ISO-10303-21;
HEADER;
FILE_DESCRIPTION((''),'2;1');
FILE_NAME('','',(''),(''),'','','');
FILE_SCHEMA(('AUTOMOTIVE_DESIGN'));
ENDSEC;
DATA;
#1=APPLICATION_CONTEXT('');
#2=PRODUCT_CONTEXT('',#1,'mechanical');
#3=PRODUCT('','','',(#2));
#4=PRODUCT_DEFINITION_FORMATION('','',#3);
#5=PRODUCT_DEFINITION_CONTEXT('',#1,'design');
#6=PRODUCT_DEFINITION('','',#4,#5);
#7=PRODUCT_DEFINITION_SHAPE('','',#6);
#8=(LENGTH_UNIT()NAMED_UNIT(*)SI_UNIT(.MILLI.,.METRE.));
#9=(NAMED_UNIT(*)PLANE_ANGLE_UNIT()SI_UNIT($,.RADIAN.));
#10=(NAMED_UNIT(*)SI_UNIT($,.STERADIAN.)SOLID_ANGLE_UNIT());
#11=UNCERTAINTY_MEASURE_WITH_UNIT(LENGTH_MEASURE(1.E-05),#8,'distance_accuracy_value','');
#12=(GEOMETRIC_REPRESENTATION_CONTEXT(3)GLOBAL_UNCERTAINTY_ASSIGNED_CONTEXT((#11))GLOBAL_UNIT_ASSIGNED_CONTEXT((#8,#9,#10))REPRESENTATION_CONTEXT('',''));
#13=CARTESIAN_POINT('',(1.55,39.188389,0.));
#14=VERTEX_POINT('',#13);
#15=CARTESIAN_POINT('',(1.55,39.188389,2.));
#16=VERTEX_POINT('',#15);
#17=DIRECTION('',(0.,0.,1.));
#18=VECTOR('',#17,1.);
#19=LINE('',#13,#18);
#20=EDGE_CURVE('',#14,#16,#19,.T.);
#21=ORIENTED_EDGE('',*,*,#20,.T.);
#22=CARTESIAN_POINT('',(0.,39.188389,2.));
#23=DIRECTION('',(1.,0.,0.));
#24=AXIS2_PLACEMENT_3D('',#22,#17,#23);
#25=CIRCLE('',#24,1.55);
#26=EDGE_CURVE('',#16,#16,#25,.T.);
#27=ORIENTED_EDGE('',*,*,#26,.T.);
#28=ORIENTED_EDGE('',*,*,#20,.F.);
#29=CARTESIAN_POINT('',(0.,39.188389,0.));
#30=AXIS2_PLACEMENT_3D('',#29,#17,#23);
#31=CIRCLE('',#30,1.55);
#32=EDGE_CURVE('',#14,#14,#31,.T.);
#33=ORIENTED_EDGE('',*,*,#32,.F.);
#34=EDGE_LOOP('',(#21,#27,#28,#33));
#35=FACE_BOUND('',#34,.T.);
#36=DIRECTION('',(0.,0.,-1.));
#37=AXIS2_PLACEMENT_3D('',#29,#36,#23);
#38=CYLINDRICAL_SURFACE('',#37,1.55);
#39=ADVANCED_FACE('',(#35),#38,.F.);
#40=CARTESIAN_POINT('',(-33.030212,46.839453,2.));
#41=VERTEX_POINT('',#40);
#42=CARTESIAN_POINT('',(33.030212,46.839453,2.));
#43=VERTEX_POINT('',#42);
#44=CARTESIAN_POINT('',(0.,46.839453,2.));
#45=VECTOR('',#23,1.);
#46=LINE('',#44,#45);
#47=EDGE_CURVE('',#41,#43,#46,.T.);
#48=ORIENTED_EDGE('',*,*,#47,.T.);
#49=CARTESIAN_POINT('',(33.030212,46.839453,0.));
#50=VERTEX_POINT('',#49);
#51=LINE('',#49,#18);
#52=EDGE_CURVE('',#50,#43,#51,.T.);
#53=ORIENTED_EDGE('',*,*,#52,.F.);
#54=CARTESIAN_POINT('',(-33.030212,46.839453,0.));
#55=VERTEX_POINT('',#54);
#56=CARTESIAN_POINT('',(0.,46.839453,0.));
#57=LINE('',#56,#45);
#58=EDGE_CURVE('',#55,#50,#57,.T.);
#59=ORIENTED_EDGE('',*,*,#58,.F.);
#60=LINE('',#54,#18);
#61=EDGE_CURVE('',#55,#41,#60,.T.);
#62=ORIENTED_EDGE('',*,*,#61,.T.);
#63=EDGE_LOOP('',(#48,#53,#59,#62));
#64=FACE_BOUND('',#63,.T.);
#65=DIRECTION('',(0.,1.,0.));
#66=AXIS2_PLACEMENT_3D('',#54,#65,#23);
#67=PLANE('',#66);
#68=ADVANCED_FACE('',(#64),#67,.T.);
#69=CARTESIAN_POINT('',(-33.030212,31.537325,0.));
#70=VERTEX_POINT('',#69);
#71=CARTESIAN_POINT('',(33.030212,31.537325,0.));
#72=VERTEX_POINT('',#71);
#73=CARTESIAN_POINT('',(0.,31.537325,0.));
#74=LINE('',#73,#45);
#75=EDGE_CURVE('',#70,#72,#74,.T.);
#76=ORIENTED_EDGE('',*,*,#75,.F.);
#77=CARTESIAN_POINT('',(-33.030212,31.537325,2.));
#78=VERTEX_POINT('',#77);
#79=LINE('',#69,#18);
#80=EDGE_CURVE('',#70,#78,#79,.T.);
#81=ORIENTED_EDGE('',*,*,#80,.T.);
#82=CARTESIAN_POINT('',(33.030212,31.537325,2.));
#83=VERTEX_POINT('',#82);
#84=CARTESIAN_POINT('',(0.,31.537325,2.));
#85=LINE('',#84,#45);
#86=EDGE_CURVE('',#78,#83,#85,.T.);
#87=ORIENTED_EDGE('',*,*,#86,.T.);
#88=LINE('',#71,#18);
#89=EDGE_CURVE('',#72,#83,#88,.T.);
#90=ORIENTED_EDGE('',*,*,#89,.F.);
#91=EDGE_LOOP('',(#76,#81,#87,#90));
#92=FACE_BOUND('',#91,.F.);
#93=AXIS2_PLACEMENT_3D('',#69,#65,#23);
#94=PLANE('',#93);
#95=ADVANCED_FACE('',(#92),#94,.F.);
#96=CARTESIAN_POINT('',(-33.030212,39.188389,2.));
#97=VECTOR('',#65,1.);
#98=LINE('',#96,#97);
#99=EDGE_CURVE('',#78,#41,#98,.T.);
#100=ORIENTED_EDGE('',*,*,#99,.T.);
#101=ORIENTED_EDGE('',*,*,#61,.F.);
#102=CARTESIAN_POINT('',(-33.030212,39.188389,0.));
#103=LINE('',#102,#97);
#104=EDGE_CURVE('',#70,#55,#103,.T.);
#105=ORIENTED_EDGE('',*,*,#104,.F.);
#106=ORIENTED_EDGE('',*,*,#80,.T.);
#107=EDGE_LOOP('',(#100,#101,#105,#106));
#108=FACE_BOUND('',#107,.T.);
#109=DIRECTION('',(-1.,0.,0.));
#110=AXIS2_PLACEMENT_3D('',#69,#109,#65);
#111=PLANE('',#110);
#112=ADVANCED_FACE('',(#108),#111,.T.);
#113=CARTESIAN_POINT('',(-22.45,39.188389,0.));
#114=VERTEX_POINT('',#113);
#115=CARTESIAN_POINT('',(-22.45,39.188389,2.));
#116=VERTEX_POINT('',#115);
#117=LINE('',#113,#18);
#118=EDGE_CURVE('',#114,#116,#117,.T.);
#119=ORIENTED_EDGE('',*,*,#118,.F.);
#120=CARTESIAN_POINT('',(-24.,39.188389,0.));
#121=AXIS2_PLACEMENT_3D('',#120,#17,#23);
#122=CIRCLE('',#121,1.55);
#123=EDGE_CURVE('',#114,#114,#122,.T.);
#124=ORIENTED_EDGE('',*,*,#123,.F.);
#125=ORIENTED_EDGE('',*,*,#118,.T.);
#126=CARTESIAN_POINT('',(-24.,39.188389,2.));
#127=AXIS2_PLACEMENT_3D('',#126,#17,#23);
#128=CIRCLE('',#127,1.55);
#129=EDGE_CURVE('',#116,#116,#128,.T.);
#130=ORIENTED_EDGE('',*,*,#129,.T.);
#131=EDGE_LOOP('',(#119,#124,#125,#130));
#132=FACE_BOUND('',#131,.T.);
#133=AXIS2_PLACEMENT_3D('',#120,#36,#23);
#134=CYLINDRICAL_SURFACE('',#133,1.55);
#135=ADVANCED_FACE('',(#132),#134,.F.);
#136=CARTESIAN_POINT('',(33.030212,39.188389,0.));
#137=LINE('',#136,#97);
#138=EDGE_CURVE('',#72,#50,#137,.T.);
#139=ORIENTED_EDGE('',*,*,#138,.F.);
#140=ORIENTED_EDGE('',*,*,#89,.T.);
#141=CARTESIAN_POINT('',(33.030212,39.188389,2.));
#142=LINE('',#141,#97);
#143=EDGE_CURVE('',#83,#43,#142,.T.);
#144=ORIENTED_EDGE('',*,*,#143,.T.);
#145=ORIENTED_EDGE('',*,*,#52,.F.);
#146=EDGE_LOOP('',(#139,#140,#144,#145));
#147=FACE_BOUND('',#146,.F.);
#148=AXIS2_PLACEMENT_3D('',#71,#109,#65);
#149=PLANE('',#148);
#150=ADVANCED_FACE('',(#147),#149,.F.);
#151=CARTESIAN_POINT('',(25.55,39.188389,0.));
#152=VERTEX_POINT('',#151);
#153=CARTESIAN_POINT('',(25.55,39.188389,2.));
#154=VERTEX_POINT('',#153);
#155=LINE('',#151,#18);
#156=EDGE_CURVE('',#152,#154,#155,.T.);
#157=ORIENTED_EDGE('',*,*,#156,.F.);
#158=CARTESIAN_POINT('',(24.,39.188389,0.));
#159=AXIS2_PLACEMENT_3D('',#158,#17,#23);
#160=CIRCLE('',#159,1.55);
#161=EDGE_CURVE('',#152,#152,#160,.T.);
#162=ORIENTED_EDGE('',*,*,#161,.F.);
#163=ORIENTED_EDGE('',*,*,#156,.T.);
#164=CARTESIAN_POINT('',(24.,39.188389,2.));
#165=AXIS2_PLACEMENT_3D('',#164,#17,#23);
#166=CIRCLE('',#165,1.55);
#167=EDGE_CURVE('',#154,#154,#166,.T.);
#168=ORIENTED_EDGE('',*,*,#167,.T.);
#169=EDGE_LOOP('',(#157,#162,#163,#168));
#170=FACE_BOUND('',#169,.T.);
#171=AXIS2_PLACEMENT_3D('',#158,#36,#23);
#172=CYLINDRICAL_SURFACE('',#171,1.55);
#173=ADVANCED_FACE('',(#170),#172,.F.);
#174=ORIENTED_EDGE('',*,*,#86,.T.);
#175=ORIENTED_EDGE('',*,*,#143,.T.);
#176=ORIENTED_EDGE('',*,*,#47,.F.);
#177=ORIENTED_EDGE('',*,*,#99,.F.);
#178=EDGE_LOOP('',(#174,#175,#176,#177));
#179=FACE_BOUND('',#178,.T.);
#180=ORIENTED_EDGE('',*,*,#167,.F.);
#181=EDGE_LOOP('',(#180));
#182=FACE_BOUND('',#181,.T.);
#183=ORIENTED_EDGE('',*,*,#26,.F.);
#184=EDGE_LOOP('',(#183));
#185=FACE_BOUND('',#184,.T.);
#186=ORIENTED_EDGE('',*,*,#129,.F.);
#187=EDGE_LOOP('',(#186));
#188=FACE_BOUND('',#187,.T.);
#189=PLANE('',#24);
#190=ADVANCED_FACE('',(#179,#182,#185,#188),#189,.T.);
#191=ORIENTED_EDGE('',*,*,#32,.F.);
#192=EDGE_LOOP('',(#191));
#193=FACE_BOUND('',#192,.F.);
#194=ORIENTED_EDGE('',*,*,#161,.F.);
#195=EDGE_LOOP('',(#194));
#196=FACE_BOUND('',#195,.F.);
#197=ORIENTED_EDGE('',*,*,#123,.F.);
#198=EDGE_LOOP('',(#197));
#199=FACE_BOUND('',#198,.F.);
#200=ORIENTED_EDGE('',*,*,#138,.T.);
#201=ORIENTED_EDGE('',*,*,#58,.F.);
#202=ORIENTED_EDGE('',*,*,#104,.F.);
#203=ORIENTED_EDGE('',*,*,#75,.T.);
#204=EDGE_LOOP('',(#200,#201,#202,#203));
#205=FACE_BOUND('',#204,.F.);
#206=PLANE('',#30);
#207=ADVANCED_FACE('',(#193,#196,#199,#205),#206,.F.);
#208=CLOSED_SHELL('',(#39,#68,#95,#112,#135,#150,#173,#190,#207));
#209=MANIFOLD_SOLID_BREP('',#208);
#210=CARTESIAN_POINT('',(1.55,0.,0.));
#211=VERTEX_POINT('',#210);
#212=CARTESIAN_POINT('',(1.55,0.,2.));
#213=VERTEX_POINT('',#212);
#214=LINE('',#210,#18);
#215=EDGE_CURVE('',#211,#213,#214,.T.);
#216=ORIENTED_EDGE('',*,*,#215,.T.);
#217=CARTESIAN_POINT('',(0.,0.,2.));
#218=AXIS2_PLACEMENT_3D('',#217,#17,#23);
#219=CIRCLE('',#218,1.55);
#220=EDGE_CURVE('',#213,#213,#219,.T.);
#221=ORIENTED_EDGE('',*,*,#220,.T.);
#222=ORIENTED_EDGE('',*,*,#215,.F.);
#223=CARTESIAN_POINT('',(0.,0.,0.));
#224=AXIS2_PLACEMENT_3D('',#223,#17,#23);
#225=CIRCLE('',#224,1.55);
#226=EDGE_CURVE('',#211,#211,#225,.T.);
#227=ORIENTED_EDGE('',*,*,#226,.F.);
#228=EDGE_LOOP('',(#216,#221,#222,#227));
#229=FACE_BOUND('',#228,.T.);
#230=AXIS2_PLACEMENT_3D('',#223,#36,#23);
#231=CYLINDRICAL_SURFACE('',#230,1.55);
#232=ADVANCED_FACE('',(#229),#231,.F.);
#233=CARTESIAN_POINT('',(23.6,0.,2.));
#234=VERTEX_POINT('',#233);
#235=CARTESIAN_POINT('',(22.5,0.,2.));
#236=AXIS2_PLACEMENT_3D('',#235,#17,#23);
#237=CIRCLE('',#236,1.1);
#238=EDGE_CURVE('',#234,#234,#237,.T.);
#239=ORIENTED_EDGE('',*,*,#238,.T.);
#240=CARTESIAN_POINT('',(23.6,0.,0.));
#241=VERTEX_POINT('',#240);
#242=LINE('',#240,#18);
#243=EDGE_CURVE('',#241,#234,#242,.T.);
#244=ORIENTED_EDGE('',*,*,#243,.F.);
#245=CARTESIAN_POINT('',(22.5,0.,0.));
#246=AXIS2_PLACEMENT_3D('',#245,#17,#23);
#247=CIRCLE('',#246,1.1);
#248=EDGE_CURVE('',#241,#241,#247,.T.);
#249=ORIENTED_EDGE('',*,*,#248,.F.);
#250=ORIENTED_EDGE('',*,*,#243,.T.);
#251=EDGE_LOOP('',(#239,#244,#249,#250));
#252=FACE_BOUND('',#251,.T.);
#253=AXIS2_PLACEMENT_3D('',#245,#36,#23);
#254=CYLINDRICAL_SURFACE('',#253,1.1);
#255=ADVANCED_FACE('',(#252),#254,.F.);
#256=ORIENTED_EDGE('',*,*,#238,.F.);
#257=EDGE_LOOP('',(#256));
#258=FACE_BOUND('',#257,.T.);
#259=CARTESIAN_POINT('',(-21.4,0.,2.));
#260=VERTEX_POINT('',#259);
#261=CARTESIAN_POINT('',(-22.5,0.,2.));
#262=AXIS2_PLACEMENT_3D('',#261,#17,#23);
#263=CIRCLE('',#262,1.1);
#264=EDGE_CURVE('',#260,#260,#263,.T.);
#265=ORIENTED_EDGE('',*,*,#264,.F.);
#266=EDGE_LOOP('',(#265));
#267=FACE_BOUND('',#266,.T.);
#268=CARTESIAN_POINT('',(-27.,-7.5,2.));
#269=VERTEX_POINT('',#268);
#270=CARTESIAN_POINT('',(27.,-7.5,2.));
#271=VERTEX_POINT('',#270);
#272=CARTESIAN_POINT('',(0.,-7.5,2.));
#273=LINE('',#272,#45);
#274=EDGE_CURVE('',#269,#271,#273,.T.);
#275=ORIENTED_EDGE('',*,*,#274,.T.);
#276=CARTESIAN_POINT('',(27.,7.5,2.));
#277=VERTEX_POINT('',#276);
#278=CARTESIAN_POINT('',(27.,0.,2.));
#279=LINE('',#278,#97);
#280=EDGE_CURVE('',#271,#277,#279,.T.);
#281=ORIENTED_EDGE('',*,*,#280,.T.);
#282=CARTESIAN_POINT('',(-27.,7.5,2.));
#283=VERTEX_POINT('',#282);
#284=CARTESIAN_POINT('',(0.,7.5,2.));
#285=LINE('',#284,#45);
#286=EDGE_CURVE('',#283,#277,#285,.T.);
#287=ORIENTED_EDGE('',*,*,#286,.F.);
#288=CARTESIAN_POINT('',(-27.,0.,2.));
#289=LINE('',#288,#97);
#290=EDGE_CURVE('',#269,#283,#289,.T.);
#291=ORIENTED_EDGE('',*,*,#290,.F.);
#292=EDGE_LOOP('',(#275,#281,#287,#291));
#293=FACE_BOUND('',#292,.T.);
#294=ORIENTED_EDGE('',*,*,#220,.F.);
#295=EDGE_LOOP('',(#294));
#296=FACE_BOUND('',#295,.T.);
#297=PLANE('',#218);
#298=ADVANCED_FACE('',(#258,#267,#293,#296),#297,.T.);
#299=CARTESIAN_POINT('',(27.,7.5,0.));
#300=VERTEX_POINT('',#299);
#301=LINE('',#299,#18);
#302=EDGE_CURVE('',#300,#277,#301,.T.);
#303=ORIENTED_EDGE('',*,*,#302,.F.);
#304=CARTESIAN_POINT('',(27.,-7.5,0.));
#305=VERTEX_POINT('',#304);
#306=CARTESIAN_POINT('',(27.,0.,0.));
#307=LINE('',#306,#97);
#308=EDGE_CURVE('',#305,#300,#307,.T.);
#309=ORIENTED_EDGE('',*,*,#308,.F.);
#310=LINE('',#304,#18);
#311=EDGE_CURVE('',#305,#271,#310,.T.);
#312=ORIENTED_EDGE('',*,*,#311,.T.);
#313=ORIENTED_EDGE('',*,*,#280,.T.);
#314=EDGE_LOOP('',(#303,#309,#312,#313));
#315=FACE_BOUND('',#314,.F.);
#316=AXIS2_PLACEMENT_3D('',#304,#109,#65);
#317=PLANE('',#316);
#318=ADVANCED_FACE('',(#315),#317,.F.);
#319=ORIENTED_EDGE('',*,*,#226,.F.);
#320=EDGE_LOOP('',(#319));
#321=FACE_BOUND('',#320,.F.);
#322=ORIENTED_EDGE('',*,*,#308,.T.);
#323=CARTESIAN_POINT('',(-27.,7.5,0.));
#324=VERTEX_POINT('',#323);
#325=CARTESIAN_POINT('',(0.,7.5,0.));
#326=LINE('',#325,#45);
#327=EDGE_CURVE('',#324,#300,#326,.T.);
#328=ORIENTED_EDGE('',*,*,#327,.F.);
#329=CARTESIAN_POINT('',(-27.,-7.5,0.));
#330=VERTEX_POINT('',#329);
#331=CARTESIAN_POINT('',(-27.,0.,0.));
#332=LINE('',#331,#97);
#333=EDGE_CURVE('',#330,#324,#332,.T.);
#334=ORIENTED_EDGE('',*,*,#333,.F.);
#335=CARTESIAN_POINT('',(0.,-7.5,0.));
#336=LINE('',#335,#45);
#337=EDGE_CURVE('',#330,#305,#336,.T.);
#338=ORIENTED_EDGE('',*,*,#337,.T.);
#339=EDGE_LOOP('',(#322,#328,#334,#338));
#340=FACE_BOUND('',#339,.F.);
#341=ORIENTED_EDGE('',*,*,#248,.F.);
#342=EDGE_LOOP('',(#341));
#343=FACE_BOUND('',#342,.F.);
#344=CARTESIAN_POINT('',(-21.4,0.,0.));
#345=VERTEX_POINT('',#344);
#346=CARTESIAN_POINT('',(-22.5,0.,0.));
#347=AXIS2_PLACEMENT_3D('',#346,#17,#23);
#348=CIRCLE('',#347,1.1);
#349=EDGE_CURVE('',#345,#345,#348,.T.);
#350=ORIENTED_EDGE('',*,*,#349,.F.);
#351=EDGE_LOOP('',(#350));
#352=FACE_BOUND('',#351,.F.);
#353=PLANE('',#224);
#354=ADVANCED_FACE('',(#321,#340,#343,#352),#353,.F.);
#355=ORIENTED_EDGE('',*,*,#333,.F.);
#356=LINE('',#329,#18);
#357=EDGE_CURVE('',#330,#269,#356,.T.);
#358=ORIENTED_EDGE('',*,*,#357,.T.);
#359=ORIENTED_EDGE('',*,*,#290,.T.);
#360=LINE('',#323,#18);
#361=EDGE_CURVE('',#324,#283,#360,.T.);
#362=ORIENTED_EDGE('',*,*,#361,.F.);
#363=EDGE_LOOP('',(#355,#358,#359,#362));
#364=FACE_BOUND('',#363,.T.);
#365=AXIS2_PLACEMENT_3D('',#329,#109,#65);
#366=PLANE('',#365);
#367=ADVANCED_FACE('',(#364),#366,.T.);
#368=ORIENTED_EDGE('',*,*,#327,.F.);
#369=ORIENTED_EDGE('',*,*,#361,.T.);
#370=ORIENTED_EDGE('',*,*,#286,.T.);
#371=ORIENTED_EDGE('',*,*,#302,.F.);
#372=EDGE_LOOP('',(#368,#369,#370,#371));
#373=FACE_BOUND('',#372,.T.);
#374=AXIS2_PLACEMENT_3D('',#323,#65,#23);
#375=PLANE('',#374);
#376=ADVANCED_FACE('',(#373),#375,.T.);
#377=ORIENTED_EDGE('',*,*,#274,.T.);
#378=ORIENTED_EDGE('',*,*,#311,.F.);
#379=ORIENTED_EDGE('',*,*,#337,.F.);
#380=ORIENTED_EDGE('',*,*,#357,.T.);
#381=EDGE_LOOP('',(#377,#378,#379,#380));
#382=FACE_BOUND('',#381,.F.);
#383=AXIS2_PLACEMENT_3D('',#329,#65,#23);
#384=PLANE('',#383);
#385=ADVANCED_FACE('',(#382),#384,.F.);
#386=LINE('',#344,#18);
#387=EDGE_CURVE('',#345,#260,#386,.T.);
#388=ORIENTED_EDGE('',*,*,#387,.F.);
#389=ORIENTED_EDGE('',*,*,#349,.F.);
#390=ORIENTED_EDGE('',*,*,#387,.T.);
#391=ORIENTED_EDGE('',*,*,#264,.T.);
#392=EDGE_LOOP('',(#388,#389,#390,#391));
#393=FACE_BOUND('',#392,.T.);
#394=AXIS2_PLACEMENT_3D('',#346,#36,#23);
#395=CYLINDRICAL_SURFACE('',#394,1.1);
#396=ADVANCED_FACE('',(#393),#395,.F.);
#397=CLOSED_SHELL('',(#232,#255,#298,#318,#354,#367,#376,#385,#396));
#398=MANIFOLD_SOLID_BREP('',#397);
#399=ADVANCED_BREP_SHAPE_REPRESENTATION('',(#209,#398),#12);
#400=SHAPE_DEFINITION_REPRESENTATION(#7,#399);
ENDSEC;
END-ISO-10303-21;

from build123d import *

# Parameters (mm, degrees)
F0_W     = 54
F0_H     = 15
F0_R     = 1.1
F0_R_2   = 1.55
F0_W_2   = 66.060424
F0_H_2   = 15.302129
F1_DEPTH = 2


with BuildPart() as f1:
    # F0 (on Top) → F1 (new body)
    with BuildSketch(Plane.XY):
        Rectangle(F0_W, F0_H)
        with Locations((-22.5, 0)):
            Circle(F0_R, mode=Mode.SUBTRACT)
        Circle(F0_R_2, mode=Mode.SUBTRACT)
        with Locations((22.5, 0)):
            Circle(F0_R, mode=Mode.SUBTRACT)
        with Locations((0, 39.188389)):
            Rectangle(F0_W_2, F0_H_2)
        with Locations((-24, 39.188389)):
            Circle(F0_R_2, mode=Mode.SUBTRACT)
        with Locations((0, 39.188389)):
            Circle(F0_R_2, mode=Mode.SUBTRACT)
        with Locations((24, 39.188389)):
            Circle(F0_R_2, mode=Mode.SUBTRACT)
    extrude(amount=F1_DEPTH)


solid = f1.part
